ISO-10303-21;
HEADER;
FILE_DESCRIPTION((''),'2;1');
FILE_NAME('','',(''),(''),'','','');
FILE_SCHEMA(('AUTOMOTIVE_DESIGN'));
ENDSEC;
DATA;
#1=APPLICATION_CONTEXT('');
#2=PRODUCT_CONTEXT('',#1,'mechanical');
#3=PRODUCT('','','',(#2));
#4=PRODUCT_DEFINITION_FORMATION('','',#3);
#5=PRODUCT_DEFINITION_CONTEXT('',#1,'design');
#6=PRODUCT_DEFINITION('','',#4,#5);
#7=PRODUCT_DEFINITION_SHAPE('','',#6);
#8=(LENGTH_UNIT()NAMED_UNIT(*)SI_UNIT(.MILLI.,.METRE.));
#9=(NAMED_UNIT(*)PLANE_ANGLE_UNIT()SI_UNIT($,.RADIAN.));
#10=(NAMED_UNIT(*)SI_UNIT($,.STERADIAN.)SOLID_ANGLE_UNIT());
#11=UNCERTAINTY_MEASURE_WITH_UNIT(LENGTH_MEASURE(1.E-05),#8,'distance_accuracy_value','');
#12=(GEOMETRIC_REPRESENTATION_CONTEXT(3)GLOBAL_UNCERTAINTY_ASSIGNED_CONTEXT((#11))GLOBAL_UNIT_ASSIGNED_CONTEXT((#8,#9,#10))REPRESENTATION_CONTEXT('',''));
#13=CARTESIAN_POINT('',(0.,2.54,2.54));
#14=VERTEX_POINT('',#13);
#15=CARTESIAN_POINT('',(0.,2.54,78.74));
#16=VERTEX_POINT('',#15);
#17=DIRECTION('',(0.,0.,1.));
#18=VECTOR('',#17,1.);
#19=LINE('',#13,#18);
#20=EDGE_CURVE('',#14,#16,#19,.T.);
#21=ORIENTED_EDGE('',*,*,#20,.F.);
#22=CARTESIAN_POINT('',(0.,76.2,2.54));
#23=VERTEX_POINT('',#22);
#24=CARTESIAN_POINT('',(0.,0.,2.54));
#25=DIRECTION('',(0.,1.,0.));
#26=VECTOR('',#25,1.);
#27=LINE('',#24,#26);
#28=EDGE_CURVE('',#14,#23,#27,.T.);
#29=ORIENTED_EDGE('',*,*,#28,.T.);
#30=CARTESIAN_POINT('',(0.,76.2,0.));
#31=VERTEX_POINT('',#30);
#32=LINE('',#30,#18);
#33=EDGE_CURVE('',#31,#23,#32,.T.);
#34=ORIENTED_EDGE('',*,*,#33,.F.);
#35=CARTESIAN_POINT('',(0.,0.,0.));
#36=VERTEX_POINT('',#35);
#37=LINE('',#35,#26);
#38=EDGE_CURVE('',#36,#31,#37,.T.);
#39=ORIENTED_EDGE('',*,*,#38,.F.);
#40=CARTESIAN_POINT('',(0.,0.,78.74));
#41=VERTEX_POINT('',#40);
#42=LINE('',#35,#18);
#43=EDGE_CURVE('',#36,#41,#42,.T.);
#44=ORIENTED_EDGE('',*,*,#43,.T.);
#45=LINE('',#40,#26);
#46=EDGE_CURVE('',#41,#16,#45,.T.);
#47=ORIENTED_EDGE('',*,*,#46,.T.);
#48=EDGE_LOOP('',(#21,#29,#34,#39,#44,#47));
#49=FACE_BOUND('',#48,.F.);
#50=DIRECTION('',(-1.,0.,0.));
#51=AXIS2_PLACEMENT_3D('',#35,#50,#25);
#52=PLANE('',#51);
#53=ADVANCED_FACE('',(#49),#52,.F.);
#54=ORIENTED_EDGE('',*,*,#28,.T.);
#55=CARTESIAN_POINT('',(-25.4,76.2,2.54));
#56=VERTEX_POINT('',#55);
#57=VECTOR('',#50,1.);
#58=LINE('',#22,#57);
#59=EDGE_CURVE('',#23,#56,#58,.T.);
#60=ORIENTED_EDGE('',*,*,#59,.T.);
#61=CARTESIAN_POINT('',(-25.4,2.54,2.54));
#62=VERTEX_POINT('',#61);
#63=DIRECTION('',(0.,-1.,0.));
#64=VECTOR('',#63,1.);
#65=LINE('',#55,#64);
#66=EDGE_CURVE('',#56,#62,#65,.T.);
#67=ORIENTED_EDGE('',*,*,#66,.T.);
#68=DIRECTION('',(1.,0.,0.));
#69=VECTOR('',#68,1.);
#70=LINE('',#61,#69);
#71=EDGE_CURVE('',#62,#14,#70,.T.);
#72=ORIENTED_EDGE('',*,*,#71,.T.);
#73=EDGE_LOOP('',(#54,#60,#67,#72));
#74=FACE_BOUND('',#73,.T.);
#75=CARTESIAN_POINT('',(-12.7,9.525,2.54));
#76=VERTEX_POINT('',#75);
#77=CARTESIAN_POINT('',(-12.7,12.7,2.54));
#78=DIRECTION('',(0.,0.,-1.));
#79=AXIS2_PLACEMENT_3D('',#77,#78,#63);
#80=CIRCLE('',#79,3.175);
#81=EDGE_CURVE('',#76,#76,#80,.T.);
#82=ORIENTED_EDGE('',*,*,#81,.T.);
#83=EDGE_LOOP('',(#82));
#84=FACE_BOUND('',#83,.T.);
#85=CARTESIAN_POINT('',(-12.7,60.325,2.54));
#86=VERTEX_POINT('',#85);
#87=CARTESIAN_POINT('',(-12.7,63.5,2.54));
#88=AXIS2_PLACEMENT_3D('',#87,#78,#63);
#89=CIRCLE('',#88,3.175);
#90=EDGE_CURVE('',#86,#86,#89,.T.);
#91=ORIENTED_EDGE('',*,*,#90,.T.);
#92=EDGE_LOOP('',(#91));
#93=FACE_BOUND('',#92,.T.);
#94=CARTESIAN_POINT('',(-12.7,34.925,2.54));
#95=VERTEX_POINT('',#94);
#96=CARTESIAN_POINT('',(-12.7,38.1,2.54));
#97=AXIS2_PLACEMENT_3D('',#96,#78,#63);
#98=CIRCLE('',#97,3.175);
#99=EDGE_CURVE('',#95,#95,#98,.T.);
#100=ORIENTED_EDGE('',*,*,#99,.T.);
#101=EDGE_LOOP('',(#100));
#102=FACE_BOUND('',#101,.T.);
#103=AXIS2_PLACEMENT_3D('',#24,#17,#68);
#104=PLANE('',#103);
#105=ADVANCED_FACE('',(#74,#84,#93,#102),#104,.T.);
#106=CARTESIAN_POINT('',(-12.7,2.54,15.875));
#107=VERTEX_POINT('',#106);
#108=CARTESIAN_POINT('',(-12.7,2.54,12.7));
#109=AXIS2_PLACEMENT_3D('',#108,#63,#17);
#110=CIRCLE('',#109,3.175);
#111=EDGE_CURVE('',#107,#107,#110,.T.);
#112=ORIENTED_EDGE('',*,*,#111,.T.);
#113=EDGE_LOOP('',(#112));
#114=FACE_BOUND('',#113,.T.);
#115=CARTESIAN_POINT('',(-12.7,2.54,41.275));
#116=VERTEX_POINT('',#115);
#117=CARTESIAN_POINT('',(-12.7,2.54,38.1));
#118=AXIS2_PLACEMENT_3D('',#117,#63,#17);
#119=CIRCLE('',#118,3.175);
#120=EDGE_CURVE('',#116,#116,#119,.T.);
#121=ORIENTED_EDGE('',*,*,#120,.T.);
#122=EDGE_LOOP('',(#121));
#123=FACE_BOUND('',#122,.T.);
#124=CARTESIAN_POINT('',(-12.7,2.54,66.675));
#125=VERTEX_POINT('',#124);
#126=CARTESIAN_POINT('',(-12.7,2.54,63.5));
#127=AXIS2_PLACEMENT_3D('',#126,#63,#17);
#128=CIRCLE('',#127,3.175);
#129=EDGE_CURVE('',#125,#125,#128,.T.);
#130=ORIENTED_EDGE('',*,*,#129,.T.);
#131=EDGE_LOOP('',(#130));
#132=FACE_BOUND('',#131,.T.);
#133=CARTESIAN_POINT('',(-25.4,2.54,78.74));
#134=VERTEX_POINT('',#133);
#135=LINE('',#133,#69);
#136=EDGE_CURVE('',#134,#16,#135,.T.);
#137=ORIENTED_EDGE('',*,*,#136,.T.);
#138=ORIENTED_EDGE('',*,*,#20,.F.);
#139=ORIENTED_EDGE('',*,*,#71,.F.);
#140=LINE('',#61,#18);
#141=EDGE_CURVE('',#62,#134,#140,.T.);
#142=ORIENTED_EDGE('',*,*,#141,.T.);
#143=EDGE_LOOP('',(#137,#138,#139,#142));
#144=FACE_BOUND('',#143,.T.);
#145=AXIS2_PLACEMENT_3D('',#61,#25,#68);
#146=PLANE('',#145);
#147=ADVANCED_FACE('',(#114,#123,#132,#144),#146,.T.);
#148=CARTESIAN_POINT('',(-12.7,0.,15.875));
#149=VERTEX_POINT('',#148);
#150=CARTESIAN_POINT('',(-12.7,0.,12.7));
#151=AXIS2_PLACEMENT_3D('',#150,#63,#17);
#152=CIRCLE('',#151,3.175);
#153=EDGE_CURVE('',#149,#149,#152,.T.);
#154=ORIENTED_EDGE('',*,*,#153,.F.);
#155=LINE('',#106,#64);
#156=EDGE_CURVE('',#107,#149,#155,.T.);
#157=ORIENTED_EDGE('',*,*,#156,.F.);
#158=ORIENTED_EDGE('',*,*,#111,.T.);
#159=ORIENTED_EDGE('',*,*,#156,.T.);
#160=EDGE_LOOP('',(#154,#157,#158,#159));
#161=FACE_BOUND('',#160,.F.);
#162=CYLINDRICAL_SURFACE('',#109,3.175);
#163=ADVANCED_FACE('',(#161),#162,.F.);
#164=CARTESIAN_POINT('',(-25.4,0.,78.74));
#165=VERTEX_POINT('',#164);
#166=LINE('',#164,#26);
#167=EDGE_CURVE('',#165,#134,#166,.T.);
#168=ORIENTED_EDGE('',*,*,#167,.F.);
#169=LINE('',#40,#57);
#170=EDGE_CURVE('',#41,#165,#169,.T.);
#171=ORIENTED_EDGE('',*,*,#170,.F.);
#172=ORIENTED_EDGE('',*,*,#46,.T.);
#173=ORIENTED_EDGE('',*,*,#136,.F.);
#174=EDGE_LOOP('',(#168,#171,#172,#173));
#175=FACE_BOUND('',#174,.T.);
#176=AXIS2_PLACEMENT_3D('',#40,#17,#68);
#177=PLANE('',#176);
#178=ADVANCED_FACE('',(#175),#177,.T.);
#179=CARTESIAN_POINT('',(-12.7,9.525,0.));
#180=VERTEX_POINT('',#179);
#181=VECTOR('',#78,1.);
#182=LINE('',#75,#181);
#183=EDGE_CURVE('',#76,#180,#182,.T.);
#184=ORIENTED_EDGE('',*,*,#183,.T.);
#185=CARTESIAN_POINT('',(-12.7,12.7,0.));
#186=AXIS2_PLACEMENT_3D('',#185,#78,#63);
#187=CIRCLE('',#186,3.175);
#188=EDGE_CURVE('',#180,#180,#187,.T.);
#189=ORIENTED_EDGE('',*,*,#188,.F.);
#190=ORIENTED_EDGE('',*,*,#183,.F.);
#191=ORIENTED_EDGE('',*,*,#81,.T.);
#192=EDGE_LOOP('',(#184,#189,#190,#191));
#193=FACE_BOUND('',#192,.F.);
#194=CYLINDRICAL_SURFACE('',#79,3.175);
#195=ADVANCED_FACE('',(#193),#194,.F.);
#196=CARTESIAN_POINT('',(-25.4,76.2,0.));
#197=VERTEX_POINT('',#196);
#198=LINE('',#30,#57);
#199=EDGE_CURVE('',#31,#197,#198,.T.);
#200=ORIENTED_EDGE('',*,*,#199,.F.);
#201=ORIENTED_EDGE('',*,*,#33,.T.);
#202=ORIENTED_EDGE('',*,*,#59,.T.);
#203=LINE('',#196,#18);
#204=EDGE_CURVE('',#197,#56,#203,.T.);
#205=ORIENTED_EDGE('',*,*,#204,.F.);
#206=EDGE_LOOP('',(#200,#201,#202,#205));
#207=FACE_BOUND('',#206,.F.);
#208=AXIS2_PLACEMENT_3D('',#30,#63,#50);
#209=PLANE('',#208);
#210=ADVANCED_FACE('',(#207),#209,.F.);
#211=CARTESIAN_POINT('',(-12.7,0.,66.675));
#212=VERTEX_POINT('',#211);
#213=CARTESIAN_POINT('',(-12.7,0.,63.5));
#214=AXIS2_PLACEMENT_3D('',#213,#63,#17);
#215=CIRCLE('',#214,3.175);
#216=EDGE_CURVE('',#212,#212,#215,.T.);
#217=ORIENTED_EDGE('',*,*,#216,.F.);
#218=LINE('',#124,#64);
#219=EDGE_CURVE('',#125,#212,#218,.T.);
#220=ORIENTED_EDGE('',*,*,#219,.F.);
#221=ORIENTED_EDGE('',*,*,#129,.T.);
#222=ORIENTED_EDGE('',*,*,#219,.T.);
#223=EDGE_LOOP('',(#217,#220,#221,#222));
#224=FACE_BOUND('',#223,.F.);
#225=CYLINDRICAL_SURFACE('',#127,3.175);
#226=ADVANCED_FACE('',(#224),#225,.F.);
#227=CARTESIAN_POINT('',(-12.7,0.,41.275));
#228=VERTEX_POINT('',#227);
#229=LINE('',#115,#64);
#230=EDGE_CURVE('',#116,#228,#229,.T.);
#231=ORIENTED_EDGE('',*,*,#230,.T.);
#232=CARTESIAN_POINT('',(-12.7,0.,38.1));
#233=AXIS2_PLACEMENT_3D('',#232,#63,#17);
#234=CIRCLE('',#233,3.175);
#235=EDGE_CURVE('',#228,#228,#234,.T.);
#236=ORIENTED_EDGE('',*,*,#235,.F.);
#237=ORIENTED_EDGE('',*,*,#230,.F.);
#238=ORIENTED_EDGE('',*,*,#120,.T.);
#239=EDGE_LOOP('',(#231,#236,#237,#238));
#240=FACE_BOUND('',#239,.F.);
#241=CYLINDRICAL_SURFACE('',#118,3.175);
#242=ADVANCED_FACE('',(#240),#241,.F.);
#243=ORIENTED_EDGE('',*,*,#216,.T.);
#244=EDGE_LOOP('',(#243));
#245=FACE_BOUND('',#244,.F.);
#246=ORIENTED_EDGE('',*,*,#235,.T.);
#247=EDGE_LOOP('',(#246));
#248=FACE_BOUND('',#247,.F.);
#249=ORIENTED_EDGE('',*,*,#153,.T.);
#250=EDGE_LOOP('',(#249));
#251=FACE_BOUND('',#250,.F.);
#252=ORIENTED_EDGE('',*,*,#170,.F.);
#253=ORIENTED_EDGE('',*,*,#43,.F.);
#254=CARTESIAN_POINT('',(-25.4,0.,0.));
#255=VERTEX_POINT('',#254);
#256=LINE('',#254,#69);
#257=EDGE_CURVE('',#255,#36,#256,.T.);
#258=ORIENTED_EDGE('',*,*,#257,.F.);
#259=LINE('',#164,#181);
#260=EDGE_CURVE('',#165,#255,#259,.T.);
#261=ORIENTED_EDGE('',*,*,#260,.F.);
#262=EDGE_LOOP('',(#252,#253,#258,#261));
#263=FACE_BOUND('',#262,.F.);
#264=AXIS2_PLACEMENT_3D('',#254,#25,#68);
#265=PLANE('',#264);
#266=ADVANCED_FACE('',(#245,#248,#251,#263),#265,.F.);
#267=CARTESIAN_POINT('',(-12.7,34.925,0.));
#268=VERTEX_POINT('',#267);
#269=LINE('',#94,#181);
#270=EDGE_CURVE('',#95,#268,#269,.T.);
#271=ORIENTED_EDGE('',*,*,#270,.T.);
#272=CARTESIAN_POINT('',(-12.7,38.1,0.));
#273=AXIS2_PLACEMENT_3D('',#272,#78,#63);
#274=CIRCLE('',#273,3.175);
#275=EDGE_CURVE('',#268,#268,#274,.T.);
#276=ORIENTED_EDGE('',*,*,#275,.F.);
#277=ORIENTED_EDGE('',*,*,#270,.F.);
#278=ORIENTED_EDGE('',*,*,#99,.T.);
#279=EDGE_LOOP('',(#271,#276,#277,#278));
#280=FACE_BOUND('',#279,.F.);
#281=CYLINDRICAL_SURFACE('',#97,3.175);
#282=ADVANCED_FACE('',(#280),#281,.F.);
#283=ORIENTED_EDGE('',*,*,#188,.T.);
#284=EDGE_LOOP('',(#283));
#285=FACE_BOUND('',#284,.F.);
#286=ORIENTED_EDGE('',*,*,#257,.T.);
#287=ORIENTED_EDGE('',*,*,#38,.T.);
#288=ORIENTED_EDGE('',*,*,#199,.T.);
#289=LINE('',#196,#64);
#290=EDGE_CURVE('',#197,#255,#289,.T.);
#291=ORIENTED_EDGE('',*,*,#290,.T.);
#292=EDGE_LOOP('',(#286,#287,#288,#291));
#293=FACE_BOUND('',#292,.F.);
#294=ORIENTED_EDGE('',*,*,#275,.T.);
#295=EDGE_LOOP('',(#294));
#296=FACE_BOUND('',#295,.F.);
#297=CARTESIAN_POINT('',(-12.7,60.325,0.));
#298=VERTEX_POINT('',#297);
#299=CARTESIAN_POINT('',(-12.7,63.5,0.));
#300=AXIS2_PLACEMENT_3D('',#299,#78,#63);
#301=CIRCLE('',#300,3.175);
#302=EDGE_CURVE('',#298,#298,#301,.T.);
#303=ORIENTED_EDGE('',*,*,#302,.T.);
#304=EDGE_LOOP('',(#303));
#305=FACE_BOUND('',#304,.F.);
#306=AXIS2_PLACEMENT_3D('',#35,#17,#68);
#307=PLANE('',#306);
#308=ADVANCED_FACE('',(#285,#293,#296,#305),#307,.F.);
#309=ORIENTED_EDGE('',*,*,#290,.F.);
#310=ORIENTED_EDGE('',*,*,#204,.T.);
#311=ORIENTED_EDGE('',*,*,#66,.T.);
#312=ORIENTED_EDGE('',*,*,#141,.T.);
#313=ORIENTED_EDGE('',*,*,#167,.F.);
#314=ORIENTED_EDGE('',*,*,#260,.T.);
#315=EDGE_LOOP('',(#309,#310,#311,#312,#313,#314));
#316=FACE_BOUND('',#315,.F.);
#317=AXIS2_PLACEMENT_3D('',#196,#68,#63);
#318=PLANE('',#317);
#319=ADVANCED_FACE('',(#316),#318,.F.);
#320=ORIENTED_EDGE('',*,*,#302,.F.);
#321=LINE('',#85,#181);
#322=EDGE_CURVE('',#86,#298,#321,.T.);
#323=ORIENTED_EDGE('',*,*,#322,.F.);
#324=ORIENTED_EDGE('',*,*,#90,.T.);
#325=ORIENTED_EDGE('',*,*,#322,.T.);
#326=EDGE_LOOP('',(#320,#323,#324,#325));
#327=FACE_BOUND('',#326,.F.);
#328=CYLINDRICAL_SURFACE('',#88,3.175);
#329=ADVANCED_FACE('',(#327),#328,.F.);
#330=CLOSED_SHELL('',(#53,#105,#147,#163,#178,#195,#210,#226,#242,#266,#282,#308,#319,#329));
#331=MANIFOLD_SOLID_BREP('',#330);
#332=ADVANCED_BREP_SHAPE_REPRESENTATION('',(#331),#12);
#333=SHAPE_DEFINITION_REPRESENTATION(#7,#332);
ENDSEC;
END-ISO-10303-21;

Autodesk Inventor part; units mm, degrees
ref_plane "YZ Plane" through (0, 0, 0) normal (1, 0, 0) x (0, 1, 0)
ref_plane "XZ Plane" through (0, 0, 0) normal (0, 1, 0) x (-1, 0, 0)
ref_plane "XY Plane" through (0, 0, 0) normal (0, 0, 1) x (1, 0, 0)
sketch "Sketch1" plane through (0, 0, 0) normal (0, 0, 1) x (1, 0, 0)
  line L0 (0, 0) -> (0, 76.2)
  line L1 (0, 76.2) -> (-25.4, 76.2)
  line L2 (-25.4, 76.2) -> (-25.4, 0)
  line L3 (-25.4, 0) -> (0, 0)
  dimension "d0" = 76.2
  dimension "d2" = 25.4
extrude "Extrusion1" add sketch "Sketch1" along normal blind 2.54
sketch "Sketch2" plane through (0, 0, 2.54) normal (0, 0, 1) x (1, 0, 0)
  line L0 (-25.4, 0) -> (-25.4, 2.54)
  line L1 (-25.4, 76.2) -> (-25.4, 0) projected
  line L2 (-25.4, 2.54) -> (0, 2.54)
  line L3 (0, 0) -> (0, 76.2) projected
  line L4 (0, 0) -> (-25.4, 0)
  line L5 (-25.4, 0) -> (0, 0) projected
  dimension "d5" = 2.54
extrude "Extrusion2" add sketch "Sketch2" along normal blind 76.2
hole "Hole1" at (-12.7, 2.54, 12.7) direction (0, -1, 0) diameter 6.35 end through all
pattern_linear "Rectangular Pattern1" count 3 spacing 25.4 along (0, 0, 1) of "Hole1"
hole "Hole2" at (-12.7, 12.7, 2.54) direction (0, 0, -1) diameter 6.35 end through all
pattern_linear "Rectangular Pattern2" count 3 spacing 25.4 along (0, 1, 0) of "Hole2"
properties part number "L-Gusset long"
